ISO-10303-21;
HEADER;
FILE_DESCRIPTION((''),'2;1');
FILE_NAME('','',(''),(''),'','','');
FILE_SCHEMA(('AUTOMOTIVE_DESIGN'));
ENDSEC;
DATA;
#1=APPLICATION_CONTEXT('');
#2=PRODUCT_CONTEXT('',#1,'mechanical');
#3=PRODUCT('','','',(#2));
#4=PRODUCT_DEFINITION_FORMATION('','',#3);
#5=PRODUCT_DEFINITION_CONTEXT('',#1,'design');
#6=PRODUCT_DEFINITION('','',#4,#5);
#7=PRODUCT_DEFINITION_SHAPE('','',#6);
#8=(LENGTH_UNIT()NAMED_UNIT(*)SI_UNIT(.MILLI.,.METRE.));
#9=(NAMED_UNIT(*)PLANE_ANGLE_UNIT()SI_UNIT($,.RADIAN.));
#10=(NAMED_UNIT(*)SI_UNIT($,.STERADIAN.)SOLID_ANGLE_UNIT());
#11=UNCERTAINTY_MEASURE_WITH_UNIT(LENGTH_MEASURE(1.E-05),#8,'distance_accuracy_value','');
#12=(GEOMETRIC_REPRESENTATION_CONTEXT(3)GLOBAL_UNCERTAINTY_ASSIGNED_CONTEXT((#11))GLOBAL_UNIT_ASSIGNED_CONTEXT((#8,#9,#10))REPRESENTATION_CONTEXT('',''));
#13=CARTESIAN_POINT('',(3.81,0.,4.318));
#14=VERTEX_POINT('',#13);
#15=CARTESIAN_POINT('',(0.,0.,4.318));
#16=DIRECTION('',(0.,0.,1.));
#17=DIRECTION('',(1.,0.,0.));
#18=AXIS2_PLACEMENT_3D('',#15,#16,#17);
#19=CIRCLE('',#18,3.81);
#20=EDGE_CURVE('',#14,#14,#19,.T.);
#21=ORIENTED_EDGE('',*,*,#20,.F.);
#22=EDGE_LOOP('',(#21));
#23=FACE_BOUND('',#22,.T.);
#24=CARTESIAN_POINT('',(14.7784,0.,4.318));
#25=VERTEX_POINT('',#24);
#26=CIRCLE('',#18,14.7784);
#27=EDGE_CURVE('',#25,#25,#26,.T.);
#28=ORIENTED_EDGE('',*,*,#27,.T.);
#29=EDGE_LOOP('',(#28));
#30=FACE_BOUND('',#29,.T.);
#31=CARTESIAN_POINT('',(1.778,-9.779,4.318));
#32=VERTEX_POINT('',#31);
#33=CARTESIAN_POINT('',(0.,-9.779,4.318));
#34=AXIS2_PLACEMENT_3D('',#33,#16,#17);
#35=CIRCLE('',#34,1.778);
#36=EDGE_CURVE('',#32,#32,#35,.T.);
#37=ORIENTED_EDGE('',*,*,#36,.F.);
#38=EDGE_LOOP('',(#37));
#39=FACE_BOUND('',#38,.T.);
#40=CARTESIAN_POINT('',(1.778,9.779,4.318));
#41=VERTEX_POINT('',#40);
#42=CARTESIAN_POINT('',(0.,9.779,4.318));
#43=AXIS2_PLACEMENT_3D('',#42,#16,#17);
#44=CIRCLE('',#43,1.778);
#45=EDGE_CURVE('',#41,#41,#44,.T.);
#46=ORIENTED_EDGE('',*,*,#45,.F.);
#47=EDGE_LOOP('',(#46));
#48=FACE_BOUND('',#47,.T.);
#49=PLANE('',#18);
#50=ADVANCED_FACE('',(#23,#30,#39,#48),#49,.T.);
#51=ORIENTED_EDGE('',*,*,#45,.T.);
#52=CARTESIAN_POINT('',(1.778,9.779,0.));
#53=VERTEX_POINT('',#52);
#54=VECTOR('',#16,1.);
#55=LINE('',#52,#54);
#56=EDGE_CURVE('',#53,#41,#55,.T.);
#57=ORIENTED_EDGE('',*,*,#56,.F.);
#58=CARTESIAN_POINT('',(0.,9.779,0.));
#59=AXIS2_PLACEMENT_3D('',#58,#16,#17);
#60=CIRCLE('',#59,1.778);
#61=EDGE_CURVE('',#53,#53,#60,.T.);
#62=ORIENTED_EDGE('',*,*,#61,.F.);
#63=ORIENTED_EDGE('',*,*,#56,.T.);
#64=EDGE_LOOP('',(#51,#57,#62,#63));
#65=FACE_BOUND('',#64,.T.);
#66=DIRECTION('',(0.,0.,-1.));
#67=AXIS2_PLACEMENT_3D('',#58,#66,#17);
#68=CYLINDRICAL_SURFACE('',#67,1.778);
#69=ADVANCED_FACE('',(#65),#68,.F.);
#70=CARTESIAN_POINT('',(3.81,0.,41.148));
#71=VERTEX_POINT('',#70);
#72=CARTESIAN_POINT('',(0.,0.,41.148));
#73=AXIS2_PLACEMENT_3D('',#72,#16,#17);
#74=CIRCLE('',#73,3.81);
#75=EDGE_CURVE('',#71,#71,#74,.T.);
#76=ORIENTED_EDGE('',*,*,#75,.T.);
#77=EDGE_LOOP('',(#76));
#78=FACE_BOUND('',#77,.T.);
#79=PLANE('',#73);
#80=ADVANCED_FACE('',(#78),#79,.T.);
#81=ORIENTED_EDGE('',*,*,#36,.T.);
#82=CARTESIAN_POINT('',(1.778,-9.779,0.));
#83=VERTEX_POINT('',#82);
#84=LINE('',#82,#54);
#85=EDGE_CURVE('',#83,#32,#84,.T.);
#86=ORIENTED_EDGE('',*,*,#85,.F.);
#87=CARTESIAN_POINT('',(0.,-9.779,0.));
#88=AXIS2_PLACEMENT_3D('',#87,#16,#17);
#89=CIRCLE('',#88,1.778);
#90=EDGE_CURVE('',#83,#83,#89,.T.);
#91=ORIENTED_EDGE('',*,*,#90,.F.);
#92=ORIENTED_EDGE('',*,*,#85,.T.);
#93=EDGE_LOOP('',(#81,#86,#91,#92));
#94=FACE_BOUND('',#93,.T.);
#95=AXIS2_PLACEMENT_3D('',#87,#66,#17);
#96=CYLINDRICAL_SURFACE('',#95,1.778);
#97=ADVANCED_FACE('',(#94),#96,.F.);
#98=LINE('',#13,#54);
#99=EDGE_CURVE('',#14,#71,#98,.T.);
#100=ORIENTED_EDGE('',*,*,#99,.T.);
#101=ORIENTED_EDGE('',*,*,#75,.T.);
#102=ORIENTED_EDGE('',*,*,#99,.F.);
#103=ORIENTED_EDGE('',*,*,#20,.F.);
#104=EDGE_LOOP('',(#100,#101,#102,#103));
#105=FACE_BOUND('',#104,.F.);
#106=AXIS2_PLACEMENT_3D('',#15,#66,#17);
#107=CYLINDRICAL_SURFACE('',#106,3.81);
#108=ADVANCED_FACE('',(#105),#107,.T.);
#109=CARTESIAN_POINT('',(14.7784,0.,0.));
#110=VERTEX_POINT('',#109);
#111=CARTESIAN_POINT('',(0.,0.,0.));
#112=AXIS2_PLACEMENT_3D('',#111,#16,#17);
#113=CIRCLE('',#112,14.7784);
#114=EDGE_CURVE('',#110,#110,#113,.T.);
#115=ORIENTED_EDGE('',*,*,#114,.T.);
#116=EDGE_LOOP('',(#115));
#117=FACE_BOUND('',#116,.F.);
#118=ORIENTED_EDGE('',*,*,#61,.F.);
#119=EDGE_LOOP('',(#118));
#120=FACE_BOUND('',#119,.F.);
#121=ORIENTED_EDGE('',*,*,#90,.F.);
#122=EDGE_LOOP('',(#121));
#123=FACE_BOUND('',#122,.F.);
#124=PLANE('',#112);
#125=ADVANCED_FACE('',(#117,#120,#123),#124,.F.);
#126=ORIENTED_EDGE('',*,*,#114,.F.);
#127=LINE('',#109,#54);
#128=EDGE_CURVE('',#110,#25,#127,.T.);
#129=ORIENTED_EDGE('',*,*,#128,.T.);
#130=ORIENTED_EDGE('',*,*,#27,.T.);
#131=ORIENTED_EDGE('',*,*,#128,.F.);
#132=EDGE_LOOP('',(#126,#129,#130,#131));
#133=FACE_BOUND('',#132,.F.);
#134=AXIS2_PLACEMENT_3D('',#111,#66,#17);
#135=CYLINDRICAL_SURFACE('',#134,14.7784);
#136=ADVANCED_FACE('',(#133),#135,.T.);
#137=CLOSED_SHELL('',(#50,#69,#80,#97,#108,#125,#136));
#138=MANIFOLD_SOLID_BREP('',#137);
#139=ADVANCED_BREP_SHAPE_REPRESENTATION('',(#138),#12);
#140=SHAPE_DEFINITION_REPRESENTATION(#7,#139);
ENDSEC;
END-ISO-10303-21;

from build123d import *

# Parameters (mm, degrees)
F0_R     = 14.7784
F0_R_2   = 1.778
F1_DEPTH = 4.318
F2_R     = 3.81
F3_DEPTH = 36.83


with BuildPart() as f1:
    # F0 (on Top) → F1 (new body)
    with BuildSketch(Plane.XY):
        Circle(F0_R)
        with Locations((0, -9.779)):
            Circle(F0_R_2, mode=Mode.SUBTRACT)
        with Locations((0, 9.779)):
            Circle(F0_R_2, mode=Mode.SUBTRACT)
    extrude(amount=F1_DEPTH)

    # F2 (on face) → F3 (join)
    with BuildSketch(Plane.XY.offset(4.318)):
        Circle(F2_R)
    extrude(amount=F3_DEPTH)


solid = f1.part
